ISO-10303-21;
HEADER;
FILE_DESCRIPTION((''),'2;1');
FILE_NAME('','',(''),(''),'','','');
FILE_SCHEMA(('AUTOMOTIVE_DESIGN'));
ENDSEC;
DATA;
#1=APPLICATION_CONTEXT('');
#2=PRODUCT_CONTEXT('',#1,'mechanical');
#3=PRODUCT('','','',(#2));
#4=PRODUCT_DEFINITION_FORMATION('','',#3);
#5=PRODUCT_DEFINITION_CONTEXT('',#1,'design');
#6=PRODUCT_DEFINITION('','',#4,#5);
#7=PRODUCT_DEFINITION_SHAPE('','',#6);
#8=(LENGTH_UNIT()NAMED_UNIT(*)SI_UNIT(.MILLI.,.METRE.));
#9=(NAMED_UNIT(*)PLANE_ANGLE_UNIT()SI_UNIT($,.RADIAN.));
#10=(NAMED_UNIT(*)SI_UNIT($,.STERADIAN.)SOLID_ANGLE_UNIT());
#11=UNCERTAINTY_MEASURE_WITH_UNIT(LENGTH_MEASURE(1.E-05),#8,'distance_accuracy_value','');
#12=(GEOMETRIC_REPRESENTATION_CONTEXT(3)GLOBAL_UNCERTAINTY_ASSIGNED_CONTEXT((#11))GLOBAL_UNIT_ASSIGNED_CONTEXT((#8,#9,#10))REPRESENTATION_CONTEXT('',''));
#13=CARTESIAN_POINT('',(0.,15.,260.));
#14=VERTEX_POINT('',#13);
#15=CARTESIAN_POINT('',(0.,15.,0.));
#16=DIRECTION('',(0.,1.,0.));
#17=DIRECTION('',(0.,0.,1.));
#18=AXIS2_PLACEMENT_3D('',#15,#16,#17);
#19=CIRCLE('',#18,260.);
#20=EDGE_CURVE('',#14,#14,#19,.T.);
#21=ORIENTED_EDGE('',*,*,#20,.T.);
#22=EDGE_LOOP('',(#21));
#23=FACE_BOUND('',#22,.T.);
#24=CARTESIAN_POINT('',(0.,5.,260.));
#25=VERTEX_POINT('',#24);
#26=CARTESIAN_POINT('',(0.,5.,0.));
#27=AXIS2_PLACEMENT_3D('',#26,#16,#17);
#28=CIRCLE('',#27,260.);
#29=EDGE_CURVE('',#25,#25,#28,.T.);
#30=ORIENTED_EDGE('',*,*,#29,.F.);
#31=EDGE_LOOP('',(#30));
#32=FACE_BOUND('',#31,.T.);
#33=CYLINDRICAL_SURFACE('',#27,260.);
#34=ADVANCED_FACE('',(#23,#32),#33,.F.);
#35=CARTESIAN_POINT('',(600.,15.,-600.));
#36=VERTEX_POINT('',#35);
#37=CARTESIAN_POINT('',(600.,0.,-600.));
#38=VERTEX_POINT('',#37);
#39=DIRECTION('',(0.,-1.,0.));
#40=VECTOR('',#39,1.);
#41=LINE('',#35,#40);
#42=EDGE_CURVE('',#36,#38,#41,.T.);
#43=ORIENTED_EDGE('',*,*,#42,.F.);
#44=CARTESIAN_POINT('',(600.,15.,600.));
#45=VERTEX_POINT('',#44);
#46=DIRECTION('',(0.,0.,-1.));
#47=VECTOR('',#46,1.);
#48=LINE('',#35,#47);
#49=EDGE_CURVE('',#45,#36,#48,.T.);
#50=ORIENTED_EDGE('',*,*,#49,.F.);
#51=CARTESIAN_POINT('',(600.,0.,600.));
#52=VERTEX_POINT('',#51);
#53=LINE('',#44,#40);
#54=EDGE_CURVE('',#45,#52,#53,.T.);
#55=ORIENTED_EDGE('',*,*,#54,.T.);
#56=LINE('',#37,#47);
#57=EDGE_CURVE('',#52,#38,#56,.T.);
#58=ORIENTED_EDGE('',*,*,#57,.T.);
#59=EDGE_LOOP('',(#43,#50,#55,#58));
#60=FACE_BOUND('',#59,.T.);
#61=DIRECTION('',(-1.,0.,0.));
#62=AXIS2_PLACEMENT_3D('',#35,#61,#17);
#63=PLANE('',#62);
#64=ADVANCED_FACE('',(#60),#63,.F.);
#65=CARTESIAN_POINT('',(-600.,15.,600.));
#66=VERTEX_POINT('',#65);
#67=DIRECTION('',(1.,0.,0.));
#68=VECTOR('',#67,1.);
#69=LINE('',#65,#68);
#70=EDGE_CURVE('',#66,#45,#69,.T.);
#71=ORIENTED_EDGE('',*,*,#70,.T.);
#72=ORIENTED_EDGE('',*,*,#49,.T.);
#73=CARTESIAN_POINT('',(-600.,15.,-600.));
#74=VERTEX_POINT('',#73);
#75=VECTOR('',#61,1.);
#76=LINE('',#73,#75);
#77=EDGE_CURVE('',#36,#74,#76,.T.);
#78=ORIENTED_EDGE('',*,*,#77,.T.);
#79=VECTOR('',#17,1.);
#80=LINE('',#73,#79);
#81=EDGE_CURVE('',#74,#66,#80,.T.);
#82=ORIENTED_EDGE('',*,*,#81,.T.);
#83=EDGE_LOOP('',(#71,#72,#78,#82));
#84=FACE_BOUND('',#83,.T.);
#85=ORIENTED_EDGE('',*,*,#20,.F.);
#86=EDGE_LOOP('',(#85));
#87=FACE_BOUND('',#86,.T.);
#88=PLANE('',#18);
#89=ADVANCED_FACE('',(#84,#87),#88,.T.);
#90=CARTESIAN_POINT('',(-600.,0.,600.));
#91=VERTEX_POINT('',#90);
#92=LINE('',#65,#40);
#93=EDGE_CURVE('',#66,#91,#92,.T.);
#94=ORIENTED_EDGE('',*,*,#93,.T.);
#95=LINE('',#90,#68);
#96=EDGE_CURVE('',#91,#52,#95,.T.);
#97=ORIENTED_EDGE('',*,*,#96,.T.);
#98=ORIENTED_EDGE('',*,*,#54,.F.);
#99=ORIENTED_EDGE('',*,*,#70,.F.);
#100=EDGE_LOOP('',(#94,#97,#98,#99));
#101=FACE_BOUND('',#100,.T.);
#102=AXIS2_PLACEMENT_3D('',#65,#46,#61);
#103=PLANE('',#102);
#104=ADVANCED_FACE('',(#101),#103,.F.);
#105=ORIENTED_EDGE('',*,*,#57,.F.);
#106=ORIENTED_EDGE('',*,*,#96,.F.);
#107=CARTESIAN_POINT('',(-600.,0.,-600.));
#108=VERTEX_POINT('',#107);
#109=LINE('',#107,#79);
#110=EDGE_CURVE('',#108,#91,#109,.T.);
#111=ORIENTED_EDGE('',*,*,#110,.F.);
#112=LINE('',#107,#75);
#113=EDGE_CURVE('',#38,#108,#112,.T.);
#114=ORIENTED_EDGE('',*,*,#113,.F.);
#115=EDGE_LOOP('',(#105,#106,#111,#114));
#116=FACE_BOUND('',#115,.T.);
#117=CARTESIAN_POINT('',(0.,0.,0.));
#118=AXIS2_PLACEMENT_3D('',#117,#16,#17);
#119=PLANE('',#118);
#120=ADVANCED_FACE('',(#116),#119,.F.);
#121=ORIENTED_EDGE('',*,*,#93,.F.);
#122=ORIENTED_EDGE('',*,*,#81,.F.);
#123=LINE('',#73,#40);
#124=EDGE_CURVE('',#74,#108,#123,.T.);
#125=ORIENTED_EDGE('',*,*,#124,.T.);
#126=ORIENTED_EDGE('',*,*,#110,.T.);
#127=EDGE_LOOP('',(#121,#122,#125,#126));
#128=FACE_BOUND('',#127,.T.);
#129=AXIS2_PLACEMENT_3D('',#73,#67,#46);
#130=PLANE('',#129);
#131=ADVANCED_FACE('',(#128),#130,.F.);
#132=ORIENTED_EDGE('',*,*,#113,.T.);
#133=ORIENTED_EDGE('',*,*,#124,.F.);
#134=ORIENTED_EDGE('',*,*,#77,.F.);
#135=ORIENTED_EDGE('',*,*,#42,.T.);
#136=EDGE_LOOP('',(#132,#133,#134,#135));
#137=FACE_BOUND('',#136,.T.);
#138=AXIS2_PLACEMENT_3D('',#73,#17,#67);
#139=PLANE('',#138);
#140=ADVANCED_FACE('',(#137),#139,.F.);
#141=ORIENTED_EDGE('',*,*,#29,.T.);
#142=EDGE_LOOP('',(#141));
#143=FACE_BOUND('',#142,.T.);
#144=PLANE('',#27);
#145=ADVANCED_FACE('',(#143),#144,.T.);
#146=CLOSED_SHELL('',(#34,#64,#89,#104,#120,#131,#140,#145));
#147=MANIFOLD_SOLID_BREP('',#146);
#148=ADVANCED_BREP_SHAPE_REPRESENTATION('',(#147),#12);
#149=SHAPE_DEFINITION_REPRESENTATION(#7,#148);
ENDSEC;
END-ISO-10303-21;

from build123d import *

# Parameters (mm, degrees)
SKETCH_1_W          = 1200
SKETCH_1_H          = 1200
EXTRUDE_1_DEPTH     = 15
SKETCH_2_R          = 260
CUT_EXTRUDE_1_DEPTH = 10


with BuildPart() as part:
    # 스케치1 → 보스-돌출1 (new body)
    with BuildSketch(Plane(origin=(0, 0, 0), x_dir=(1, 0, 0), z_dir=(0, 1, 0))):
        Rectangle(SKETCH_1_W, SKETCH_1_H)
    extrude(amount=EXTRUDE_1_DEPTH)

    # 스케치2 → 컷-돌출1 (cut)
    with BuildSketch(Plane(origin=(0, 15, 0), x_dir=(1, 0, 0), z_dir=(0, 1, 0))):
        with Locations(Location((0, 0, 0), (0, 0, 270))):
            Circle(SKETCH_2_R)
    extrude(amount=-CUT_EXTRUDE_1_DEPTH, mode=Mode.SUBTRACT)


solid = part.part
